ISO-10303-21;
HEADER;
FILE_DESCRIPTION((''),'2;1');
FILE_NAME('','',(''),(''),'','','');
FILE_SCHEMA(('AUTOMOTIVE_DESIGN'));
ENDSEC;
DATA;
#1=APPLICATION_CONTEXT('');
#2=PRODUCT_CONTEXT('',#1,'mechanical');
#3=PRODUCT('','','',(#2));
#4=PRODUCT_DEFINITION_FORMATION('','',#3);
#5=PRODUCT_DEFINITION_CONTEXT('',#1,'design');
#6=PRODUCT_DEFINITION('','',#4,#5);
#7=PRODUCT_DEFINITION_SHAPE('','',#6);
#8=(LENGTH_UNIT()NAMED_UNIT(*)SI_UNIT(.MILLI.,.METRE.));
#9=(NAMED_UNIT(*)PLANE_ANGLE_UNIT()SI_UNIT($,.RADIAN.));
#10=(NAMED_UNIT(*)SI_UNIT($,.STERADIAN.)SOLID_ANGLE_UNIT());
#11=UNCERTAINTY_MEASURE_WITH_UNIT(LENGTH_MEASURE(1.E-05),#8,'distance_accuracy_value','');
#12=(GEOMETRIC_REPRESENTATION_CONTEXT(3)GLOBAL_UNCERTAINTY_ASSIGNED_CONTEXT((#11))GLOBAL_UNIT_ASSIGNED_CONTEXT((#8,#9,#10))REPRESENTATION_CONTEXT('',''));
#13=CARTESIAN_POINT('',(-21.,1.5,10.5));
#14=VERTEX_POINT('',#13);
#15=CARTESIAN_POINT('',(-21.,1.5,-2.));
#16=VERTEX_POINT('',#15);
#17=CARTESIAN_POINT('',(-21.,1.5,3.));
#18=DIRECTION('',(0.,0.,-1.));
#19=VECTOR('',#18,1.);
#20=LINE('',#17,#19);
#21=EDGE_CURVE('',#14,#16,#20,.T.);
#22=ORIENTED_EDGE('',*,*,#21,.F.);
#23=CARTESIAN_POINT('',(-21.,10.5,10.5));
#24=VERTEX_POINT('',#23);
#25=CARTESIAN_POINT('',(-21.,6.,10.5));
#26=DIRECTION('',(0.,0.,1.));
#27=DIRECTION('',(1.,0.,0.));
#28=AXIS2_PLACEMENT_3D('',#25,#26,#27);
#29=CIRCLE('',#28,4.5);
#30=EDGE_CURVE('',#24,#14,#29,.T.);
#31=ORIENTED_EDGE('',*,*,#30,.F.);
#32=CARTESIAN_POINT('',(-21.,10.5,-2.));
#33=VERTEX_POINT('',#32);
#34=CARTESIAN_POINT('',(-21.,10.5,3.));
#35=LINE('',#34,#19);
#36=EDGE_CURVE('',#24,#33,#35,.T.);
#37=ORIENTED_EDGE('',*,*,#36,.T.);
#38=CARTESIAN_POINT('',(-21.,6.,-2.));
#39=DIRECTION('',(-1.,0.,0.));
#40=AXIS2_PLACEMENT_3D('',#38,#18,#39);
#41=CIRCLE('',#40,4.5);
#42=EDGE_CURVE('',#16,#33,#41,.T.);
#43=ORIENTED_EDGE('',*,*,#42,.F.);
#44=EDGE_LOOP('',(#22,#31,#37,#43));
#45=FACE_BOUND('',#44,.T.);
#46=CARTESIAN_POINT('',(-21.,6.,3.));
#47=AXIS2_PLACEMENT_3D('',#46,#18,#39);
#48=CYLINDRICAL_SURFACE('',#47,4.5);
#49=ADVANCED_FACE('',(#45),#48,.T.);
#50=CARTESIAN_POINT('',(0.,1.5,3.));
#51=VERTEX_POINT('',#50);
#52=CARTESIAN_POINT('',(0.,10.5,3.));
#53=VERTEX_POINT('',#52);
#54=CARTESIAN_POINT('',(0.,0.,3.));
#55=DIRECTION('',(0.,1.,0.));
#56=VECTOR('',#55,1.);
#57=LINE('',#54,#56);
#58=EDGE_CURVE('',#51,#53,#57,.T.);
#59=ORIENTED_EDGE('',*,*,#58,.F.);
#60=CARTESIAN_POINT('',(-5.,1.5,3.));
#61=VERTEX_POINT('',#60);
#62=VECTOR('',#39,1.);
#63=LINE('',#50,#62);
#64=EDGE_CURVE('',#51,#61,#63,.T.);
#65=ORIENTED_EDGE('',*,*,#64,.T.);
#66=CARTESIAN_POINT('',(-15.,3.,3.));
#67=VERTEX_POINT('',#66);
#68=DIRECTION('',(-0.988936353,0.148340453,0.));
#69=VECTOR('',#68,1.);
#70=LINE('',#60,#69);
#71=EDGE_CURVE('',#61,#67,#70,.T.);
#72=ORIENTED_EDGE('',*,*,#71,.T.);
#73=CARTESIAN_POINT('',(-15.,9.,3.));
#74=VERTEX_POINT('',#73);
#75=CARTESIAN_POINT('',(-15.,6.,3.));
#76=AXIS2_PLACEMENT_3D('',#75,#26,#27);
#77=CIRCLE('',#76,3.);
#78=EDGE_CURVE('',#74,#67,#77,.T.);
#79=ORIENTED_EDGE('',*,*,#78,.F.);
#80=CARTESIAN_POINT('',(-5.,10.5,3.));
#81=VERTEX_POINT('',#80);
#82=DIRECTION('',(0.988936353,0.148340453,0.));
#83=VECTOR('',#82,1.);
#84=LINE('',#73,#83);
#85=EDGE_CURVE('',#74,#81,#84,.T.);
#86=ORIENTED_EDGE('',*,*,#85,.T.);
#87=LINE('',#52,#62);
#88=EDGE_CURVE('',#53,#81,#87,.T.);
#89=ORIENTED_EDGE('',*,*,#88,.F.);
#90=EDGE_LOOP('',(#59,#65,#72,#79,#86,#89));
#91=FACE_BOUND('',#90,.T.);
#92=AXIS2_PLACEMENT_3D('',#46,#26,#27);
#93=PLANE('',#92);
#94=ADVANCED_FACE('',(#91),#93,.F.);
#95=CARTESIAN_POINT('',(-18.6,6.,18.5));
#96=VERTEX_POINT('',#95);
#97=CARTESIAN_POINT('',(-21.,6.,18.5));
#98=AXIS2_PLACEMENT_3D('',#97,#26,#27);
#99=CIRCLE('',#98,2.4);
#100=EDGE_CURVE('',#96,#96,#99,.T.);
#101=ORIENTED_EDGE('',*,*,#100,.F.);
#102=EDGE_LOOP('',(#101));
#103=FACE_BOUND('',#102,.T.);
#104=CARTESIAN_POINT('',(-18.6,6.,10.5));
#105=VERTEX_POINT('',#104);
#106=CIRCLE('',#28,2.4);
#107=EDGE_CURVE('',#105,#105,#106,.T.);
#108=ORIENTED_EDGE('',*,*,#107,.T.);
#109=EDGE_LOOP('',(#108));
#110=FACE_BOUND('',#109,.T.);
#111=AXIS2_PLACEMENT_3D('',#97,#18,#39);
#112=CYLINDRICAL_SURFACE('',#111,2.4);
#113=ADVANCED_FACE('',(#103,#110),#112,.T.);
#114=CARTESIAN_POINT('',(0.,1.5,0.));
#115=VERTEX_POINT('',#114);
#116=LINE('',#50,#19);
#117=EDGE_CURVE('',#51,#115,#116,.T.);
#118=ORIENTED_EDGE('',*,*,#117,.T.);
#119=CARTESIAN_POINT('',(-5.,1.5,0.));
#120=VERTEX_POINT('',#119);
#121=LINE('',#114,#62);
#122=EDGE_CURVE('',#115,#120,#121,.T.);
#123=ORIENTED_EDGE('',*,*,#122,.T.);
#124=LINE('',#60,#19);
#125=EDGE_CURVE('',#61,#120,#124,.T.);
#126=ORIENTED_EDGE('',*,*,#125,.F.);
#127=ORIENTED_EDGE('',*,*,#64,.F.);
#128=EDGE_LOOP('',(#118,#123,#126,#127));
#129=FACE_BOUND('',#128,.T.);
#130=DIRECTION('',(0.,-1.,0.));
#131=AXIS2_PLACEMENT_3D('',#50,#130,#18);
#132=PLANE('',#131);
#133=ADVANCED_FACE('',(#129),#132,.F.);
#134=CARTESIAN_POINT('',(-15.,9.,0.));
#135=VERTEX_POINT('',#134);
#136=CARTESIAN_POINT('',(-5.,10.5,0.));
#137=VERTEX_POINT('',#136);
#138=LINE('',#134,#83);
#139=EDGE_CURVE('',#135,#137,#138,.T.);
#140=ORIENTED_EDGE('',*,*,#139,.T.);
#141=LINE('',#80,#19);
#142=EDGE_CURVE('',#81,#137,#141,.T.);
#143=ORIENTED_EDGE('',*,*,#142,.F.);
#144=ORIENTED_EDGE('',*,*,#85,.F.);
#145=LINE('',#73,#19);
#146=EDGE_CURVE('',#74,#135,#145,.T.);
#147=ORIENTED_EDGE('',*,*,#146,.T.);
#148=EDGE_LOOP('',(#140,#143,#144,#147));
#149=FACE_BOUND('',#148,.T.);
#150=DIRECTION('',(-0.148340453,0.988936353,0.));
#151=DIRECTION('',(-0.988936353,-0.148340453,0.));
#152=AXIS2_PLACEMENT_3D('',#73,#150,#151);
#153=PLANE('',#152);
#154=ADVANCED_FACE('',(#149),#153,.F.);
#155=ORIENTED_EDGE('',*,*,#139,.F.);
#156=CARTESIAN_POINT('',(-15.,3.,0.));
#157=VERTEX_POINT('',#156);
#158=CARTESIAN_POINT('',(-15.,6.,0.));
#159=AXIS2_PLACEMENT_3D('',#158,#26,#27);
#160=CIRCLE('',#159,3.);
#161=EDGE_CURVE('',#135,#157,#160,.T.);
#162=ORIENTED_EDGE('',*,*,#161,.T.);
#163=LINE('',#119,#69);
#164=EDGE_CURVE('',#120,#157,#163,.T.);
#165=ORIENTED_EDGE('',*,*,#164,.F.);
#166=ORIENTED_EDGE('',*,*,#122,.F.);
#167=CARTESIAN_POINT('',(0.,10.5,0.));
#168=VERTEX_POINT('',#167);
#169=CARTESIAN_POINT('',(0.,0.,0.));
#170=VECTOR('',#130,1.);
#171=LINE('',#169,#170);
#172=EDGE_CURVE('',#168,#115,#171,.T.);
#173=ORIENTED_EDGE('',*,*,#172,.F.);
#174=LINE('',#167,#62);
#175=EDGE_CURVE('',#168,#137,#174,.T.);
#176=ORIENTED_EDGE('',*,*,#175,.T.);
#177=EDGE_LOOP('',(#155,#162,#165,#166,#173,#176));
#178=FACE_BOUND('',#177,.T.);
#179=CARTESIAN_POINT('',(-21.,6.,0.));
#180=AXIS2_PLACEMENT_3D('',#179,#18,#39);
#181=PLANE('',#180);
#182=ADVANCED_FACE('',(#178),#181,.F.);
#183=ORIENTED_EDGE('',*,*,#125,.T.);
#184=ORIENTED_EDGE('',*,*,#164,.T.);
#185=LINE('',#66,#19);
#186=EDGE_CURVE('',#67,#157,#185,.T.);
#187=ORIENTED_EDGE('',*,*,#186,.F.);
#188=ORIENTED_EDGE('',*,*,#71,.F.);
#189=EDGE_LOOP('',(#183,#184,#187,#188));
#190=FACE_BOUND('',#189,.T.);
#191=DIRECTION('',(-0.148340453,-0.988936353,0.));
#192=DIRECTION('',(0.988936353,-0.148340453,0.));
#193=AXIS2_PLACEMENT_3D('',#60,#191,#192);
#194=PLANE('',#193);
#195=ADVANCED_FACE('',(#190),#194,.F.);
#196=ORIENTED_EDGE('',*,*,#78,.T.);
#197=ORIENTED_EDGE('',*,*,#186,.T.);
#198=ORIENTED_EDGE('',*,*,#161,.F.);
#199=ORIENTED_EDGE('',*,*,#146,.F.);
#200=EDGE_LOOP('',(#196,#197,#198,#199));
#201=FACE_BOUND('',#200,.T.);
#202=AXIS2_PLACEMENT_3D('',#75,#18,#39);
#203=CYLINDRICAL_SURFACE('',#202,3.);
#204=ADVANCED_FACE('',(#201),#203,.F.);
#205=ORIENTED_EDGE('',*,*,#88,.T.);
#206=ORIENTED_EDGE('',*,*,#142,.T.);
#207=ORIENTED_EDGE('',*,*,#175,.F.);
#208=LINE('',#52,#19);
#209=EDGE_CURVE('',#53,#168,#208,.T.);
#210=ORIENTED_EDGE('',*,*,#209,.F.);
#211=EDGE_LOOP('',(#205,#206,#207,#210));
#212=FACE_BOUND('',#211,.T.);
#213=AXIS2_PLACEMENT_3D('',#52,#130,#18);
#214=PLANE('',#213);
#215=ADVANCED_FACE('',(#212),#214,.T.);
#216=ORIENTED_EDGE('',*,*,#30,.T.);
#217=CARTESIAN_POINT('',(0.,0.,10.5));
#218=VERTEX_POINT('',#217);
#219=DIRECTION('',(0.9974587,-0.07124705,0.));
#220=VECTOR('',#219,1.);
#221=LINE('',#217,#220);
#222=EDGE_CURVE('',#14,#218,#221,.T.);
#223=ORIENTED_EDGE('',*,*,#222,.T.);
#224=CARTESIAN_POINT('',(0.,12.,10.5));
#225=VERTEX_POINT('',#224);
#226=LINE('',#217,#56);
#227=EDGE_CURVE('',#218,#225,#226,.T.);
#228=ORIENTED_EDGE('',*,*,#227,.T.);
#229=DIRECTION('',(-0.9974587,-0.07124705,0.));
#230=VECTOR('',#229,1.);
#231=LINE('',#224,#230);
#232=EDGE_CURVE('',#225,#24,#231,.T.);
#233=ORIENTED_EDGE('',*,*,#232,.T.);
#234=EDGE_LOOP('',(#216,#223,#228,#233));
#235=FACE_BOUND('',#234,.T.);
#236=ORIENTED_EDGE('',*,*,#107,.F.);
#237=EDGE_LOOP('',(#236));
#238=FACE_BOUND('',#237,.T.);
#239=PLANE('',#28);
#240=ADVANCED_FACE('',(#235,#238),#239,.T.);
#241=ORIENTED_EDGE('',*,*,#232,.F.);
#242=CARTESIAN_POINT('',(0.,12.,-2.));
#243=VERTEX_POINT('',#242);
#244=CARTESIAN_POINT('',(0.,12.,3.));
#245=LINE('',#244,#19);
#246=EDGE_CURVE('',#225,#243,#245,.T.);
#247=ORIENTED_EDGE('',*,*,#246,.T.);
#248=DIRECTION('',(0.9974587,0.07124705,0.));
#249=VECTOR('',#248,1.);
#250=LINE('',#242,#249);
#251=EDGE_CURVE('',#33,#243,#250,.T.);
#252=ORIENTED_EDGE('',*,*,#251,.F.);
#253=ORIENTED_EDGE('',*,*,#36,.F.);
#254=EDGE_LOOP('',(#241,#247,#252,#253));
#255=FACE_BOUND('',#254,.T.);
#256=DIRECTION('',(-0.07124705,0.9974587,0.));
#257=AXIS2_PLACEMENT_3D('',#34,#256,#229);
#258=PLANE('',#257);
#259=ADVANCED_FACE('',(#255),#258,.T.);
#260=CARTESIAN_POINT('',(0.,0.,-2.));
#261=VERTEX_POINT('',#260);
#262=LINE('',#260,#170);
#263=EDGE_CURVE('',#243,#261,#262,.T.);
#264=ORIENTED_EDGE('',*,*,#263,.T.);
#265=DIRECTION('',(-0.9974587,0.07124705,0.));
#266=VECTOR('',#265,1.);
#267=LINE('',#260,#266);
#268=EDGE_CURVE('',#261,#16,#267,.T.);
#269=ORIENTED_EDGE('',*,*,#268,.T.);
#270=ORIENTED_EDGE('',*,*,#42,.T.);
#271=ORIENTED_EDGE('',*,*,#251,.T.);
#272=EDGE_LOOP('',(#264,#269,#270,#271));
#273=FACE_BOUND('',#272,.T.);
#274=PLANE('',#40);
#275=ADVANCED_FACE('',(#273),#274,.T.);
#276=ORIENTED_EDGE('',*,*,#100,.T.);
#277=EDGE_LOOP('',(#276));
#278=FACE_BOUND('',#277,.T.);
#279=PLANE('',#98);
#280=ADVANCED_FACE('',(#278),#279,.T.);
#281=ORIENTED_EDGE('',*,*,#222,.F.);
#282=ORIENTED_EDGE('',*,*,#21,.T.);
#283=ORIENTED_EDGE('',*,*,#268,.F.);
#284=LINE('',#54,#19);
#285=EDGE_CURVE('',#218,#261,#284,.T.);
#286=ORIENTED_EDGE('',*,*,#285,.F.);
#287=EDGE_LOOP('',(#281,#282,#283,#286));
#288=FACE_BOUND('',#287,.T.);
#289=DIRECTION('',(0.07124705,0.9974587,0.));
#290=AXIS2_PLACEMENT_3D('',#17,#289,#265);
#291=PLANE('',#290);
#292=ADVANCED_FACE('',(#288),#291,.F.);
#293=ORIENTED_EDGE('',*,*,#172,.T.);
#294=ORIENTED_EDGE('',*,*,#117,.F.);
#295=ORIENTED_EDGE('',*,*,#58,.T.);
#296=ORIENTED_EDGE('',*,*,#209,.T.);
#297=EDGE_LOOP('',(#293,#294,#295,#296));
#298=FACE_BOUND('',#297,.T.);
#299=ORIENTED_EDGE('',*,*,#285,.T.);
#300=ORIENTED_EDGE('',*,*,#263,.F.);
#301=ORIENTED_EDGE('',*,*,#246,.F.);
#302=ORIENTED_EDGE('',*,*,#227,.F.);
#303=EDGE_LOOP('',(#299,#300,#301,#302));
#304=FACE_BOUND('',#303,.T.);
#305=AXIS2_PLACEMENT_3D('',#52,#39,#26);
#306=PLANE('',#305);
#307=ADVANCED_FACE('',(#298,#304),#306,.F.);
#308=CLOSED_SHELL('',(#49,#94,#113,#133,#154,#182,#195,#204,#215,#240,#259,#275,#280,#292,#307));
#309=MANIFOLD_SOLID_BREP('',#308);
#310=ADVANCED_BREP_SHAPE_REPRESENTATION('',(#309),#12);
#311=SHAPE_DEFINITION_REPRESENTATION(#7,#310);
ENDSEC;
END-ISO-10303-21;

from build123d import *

# Parameters (mm, degrees)
BOSS_EXTRUDE2_DEPTH = 3
BOSS_EXTRUDE3_DEPTH = 7.5
BOSS_EXTRUDE4_START = 2
BOSS_EXTRUDE4_DEPTH = 2
SKETCH5_R           = 2.4
BOSS_EXTRUDE5_DEPTH = 8


with BuildPart() as part:
    # Sketch1 → Boss-Extrude2 (new body)
    with BuildSketch(Plane(origin=(0, 0, 0), x_dir=(0, 1, 0), z_dir=(0, 0, 1))):
        with BuildLine():
            Line((0, 0), (1.5, 0))
            Line((1.5, 0), (1.5, 5))
            Line((1.5, 5), (3, 15))
            ThreePointArc((3, 15), (6, 18), (9, 15))
            Line((9, 15), (10.5, 5))
            Line((10.5, 5), (10.5, 0))
            Line((10.5, 0), (12, 0))
            Line((12, 0), (10.5, 21))
            ThreePointArc((10.5, 21), (6, 25.5), (1.5, 21))
            Line((1.5, 21), (0, 0))
        make_face()
    extrude(amount=BOSS_EXTRUDE2_DEPTH)

    # Sketch3 → Boss-Extrude3 (add)
    with BuildSketch(Plane.XY.offset(3)):
        with BuildLine():
            Line((0, 0), (0, 12))
            Line((0, 12), (-21, 10.5))
            ThreePointArc((-21, 10.5), (-25.5, 6), (-21, 1.5))
            Line((-21, 1.5), (0, 0))
        make_face()
    extrude(amount=BOSS_EXTRUDE3_DEPTH)

    # Sketch4 → Boss-Extrude4 (add)
    with BuildSketch(Plane(origin=(0, 0, 0), x_dir=(1, 0, 0), z_dir=(0, 0, -1)).offset(BOSS_EXTRUDE4_START)):
        with BuildLine():
            Line((0, 0), (0, -12))
            Line((0, -12), (-21, -10.5))
            ThreePointArc((-21, -10.5), (-25.5, -6), (-21, -1.5))
            Line((-21, -1.5), (0, 0))
        make_face()
    extrude(amount=-BOSS_EXTRUDE4_DEPTH)

    # Sketch5 → Boss-Extrude5 (add)
    with BuildSketch(Plane.XY.offset(10.5)):
        with Locations((-21, 6)):
            Circle(SKETCH5_R)
    extrude(amount=BOSS_EXTRUDE5_DEPTH)


solid = part.part
